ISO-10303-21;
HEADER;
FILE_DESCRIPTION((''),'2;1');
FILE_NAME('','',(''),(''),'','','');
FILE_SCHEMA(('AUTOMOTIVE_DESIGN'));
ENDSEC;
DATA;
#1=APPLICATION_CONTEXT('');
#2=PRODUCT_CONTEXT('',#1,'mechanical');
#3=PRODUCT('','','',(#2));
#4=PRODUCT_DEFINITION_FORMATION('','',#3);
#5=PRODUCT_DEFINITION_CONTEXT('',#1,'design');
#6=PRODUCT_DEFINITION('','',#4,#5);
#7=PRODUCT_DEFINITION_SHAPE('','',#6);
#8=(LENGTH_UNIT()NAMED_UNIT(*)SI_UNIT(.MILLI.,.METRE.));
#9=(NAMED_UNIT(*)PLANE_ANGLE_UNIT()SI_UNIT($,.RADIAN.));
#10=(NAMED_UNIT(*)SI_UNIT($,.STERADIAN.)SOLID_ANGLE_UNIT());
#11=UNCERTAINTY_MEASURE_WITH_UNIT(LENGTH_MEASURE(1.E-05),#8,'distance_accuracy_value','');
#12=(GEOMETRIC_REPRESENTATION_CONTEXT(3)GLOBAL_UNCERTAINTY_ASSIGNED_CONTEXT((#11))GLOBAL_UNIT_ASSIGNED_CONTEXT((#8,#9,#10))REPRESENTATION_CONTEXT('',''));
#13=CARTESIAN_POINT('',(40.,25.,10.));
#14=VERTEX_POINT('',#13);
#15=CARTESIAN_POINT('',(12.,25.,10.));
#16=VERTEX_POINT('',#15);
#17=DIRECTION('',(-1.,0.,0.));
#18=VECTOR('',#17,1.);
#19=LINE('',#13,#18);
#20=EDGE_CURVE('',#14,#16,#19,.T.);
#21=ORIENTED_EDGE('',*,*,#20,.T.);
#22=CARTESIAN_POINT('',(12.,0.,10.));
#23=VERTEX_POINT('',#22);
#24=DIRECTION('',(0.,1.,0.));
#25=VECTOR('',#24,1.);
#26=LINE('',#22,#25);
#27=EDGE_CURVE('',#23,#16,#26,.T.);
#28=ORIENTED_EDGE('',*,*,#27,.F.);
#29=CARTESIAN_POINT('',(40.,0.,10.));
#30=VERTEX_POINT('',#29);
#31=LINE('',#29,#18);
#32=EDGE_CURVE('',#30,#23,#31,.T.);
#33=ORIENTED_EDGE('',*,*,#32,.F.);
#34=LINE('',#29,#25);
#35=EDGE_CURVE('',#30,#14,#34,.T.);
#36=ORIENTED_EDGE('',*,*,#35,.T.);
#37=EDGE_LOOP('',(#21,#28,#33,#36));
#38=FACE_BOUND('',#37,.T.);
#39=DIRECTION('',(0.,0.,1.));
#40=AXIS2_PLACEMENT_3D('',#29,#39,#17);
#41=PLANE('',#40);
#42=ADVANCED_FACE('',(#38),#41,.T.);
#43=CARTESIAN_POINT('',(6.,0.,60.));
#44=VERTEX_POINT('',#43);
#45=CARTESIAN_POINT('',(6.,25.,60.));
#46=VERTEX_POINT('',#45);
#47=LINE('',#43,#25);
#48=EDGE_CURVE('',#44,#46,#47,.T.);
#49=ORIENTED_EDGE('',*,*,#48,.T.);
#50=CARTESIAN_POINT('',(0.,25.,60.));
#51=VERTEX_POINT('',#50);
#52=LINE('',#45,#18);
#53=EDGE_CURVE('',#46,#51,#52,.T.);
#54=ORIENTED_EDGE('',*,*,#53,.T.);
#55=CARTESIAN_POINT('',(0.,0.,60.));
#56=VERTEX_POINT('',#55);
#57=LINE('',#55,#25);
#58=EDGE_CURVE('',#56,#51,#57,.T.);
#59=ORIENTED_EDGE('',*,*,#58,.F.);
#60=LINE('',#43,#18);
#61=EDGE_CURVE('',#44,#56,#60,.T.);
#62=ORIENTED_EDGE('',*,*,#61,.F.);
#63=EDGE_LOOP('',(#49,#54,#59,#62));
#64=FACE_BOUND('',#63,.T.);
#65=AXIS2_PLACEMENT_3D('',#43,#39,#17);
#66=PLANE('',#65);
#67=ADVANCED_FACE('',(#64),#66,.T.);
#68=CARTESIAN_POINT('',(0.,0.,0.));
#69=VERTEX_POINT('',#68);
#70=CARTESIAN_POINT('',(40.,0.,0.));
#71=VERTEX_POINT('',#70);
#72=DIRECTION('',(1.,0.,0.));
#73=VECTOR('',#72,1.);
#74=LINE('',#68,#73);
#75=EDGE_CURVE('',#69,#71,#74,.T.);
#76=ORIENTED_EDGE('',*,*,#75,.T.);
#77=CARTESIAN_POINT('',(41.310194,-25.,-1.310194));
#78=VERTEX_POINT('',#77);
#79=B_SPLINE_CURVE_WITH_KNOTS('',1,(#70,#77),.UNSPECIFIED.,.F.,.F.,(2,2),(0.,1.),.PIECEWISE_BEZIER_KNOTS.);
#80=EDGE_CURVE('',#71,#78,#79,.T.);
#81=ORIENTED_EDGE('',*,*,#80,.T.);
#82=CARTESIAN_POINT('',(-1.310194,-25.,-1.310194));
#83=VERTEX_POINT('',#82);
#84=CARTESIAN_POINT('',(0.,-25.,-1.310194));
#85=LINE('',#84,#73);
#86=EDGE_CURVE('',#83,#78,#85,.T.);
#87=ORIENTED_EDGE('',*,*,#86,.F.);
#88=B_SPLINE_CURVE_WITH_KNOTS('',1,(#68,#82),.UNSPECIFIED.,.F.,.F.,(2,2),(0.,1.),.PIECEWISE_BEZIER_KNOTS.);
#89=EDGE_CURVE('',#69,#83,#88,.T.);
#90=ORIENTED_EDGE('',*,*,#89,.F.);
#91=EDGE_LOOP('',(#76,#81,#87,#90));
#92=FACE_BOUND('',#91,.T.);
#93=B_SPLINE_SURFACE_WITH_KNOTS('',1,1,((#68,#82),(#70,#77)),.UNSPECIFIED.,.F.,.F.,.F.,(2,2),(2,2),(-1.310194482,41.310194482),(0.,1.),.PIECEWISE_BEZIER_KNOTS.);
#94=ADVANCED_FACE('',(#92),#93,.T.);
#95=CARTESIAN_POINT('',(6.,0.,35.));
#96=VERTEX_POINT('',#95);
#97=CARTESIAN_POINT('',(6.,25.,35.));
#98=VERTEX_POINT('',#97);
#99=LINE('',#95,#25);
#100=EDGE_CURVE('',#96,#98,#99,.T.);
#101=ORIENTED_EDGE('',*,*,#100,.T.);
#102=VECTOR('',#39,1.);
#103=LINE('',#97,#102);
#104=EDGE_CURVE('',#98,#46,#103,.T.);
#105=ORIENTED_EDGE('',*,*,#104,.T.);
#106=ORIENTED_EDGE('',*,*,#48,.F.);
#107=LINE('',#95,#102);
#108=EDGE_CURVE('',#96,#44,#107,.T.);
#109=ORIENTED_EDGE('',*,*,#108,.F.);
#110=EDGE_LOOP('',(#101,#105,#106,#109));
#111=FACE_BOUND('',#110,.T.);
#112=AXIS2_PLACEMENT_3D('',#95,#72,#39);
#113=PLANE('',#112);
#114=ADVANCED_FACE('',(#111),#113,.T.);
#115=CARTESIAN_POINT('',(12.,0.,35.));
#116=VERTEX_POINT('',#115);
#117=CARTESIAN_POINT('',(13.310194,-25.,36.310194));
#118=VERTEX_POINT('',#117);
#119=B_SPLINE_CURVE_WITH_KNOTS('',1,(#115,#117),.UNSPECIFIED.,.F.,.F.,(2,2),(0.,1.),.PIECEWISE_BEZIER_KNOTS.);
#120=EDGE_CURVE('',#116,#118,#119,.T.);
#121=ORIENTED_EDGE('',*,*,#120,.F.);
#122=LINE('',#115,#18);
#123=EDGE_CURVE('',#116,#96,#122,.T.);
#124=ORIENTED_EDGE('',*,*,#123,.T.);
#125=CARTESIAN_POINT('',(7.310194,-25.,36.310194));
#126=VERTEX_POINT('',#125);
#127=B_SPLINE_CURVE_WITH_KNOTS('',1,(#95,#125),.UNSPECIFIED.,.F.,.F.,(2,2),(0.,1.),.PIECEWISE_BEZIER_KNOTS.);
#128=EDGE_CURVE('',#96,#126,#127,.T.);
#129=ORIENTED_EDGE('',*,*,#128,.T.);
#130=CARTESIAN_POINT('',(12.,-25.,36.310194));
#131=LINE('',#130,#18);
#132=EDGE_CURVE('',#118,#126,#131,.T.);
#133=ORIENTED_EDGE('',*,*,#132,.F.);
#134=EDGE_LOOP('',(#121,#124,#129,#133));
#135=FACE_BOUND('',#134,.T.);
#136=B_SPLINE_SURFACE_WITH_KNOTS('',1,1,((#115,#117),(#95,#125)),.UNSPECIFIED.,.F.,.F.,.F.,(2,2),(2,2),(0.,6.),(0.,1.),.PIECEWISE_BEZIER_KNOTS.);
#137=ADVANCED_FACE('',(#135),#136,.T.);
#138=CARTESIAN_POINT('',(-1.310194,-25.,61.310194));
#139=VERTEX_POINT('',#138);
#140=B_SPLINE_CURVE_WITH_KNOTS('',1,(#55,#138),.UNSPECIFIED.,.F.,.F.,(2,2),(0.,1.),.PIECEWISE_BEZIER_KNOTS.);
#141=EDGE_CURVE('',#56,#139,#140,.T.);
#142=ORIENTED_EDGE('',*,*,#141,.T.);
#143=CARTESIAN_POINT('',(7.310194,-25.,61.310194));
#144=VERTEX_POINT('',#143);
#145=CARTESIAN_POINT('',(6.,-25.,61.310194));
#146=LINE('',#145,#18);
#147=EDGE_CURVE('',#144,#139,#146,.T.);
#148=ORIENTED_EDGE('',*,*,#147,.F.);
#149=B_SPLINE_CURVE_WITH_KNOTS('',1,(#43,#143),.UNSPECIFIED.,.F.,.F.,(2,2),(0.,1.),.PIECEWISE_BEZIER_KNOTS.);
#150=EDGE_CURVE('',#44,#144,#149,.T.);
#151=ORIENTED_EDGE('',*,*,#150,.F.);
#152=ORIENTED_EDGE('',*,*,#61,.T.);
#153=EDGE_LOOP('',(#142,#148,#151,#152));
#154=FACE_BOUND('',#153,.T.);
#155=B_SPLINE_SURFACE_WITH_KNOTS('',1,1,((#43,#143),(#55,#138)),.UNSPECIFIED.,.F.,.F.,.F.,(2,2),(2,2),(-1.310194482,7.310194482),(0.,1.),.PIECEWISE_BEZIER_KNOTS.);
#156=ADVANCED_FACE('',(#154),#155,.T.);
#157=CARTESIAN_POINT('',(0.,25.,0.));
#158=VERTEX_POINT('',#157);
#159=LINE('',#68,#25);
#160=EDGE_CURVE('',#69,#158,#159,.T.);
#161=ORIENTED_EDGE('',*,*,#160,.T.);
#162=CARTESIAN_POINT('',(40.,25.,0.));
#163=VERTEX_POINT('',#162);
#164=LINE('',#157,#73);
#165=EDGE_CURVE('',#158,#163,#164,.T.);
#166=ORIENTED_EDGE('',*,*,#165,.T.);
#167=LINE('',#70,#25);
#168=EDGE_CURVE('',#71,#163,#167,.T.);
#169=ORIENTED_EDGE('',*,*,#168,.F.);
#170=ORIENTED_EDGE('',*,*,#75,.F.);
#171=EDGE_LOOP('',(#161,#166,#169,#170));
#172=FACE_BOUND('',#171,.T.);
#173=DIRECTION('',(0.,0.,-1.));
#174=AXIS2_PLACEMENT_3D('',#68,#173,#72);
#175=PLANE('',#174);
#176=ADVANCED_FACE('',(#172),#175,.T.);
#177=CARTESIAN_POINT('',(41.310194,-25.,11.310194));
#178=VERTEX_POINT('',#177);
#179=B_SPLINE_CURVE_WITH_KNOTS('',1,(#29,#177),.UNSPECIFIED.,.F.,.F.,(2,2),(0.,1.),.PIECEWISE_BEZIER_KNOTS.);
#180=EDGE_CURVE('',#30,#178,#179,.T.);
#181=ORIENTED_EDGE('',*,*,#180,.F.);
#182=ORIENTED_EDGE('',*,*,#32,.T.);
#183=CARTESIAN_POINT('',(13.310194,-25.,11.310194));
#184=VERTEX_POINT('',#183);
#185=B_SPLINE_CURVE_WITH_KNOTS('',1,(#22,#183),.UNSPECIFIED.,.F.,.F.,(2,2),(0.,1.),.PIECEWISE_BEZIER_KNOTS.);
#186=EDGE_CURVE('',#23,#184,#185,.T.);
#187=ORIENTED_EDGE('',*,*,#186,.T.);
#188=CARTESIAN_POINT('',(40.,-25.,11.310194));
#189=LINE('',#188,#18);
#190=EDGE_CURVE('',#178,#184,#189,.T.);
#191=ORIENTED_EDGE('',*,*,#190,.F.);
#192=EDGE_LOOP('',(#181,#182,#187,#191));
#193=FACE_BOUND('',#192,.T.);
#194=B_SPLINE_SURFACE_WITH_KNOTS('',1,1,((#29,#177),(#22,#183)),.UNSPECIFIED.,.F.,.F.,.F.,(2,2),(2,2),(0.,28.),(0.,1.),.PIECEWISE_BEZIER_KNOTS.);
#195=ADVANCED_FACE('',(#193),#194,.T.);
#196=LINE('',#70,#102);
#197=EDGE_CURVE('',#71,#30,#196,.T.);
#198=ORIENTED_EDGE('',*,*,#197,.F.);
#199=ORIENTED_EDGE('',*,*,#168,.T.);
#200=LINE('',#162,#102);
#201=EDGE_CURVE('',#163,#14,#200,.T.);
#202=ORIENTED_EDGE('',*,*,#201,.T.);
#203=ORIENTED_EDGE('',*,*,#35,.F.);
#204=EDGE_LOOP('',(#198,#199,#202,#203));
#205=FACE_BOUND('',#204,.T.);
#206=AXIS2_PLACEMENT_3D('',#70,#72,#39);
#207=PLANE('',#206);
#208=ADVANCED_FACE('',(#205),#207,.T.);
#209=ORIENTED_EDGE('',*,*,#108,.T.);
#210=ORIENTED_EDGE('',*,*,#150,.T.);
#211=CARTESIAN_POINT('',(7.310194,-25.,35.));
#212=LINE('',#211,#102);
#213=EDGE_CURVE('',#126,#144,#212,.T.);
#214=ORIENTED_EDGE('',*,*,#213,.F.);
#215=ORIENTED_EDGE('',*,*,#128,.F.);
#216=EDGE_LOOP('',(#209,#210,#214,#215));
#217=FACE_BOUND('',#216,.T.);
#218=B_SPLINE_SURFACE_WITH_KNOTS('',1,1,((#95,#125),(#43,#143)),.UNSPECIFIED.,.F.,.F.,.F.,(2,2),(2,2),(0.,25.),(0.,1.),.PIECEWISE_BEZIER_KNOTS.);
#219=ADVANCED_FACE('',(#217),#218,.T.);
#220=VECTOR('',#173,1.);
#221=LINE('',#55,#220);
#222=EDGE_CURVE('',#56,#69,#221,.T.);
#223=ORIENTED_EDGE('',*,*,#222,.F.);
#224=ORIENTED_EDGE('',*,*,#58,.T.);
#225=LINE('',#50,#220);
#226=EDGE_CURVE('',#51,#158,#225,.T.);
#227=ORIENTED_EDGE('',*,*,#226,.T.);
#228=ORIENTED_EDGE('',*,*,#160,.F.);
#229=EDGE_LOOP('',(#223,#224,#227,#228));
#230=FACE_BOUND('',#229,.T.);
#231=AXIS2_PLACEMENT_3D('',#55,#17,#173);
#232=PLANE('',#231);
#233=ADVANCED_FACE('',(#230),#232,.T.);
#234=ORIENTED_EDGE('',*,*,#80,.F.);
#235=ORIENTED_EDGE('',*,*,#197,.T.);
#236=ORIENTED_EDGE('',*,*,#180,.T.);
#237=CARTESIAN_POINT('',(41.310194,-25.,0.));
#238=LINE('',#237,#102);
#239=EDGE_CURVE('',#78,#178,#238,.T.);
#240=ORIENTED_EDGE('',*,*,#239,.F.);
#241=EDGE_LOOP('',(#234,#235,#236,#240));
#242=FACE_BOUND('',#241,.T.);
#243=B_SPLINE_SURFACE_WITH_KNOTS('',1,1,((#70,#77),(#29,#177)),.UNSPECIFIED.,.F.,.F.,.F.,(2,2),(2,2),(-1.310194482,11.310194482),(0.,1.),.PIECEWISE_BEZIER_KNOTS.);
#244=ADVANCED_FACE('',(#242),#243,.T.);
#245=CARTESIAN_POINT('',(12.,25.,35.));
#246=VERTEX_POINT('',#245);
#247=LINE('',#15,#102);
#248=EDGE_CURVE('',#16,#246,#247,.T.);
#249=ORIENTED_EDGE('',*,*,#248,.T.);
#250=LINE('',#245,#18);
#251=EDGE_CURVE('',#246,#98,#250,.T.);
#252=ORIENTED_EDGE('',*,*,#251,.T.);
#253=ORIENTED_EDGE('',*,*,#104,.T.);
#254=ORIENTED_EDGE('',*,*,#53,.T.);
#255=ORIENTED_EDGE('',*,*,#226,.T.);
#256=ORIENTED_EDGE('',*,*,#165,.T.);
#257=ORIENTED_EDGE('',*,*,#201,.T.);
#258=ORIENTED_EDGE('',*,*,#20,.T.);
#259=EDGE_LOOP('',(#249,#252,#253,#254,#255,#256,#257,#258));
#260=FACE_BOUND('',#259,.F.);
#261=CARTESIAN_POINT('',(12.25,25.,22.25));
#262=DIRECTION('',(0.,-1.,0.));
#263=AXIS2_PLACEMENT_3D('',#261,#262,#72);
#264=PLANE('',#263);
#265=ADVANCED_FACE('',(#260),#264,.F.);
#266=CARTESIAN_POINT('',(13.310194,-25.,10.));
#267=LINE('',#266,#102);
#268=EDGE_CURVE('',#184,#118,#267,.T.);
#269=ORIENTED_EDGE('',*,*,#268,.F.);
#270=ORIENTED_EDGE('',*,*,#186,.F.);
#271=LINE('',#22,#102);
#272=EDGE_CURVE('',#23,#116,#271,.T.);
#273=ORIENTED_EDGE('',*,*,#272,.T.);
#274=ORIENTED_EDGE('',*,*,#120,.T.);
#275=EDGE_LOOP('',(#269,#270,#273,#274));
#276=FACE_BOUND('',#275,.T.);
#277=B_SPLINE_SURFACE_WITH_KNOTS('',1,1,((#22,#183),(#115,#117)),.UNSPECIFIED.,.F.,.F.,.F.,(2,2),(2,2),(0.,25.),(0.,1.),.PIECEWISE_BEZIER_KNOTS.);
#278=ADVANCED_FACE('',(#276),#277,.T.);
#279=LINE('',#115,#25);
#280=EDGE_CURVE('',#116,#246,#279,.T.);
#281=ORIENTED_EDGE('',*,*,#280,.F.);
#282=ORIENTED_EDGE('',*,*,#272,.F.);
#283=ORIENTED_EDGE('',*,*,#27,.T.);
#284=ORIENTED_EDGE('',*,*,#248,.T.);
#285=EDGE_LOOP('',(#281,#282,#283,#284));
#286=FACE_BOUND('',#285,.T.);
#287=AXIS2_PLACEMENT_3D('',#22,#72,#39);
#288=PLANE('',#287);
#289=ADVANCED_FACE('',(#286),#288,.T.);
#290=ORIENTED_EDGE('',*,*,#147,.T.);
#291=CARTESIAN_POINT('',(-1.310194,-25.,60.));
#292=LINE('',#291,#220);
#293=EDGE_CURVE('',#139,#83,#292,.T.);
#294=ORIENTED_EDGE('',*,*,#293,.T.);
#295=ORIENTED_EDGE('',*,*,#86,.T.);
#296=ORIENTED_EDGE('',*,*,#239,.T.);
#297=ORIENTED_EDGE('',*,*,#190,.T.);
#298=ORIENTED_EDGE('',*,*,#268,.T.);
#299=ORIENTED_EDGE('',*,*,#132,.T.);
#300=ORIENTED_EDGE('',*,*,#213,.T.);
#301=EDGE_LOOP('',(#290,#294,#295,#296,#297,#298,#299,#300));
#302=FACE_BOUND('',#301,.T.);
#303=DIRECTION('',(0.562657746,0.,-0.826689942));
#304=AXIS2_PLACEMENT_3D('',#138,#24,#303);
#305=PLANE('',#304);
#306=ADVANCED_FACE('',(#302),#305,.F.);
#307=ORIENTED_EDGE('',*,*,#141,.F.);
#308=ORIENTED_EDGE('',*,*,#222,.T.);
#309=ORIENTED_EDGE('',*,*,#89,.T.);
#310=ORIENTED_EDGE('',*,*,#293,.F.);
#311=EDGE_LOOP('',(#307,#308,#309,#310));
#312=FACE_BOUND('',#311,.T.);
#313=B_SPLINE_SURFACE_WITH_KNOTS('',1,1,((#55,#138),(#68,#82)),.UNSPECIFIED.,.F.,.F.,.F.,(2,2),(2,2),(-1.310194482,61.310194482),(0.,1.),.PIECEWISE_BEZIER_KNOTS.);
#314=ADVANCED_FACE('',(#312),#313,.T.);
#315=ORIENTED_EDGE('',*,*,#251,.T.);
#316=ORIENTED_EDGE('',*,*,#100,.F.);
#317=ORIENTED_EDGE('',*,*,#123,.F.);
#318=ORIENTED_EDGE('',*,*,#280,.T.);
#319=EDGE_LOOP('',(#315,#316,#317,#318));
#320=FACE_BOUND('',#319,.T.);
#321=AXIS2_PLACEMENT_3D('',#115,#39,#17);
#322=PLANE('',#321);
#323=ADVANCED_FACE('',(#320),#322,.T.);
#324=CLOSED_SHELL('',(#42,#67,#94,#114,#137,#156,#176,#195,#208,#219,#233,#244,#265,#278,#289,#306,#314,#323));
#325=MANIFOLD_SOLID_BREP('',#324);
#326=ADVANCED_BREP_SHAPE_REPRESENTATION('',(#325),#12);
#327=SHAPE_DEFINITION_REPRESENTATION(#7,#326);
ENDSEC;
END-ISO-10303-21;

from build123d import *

# Parameters (mm, degrees)
F1_DEPTH      = 25
F1_TAPER      = -3
F1_DEPTH_BACK = 25


with BuildPart() as f1:
    # F0 (on Front) → F1 (new body, two sides)
    with BuildSketch(Plane.XZ) as f1_sk:
        Polygon((0, 60), (0, 0), (40, 0), (40, 10), (12, 10), (12, 35), (6, 35), (6, 60), align=None)
    extrude(amount=F1_DEPTH, taper=F1_TAPER)
    extrude(f1_sk.sketch, amount=-F1_DEPTH_BACK)


solid = f1.part
